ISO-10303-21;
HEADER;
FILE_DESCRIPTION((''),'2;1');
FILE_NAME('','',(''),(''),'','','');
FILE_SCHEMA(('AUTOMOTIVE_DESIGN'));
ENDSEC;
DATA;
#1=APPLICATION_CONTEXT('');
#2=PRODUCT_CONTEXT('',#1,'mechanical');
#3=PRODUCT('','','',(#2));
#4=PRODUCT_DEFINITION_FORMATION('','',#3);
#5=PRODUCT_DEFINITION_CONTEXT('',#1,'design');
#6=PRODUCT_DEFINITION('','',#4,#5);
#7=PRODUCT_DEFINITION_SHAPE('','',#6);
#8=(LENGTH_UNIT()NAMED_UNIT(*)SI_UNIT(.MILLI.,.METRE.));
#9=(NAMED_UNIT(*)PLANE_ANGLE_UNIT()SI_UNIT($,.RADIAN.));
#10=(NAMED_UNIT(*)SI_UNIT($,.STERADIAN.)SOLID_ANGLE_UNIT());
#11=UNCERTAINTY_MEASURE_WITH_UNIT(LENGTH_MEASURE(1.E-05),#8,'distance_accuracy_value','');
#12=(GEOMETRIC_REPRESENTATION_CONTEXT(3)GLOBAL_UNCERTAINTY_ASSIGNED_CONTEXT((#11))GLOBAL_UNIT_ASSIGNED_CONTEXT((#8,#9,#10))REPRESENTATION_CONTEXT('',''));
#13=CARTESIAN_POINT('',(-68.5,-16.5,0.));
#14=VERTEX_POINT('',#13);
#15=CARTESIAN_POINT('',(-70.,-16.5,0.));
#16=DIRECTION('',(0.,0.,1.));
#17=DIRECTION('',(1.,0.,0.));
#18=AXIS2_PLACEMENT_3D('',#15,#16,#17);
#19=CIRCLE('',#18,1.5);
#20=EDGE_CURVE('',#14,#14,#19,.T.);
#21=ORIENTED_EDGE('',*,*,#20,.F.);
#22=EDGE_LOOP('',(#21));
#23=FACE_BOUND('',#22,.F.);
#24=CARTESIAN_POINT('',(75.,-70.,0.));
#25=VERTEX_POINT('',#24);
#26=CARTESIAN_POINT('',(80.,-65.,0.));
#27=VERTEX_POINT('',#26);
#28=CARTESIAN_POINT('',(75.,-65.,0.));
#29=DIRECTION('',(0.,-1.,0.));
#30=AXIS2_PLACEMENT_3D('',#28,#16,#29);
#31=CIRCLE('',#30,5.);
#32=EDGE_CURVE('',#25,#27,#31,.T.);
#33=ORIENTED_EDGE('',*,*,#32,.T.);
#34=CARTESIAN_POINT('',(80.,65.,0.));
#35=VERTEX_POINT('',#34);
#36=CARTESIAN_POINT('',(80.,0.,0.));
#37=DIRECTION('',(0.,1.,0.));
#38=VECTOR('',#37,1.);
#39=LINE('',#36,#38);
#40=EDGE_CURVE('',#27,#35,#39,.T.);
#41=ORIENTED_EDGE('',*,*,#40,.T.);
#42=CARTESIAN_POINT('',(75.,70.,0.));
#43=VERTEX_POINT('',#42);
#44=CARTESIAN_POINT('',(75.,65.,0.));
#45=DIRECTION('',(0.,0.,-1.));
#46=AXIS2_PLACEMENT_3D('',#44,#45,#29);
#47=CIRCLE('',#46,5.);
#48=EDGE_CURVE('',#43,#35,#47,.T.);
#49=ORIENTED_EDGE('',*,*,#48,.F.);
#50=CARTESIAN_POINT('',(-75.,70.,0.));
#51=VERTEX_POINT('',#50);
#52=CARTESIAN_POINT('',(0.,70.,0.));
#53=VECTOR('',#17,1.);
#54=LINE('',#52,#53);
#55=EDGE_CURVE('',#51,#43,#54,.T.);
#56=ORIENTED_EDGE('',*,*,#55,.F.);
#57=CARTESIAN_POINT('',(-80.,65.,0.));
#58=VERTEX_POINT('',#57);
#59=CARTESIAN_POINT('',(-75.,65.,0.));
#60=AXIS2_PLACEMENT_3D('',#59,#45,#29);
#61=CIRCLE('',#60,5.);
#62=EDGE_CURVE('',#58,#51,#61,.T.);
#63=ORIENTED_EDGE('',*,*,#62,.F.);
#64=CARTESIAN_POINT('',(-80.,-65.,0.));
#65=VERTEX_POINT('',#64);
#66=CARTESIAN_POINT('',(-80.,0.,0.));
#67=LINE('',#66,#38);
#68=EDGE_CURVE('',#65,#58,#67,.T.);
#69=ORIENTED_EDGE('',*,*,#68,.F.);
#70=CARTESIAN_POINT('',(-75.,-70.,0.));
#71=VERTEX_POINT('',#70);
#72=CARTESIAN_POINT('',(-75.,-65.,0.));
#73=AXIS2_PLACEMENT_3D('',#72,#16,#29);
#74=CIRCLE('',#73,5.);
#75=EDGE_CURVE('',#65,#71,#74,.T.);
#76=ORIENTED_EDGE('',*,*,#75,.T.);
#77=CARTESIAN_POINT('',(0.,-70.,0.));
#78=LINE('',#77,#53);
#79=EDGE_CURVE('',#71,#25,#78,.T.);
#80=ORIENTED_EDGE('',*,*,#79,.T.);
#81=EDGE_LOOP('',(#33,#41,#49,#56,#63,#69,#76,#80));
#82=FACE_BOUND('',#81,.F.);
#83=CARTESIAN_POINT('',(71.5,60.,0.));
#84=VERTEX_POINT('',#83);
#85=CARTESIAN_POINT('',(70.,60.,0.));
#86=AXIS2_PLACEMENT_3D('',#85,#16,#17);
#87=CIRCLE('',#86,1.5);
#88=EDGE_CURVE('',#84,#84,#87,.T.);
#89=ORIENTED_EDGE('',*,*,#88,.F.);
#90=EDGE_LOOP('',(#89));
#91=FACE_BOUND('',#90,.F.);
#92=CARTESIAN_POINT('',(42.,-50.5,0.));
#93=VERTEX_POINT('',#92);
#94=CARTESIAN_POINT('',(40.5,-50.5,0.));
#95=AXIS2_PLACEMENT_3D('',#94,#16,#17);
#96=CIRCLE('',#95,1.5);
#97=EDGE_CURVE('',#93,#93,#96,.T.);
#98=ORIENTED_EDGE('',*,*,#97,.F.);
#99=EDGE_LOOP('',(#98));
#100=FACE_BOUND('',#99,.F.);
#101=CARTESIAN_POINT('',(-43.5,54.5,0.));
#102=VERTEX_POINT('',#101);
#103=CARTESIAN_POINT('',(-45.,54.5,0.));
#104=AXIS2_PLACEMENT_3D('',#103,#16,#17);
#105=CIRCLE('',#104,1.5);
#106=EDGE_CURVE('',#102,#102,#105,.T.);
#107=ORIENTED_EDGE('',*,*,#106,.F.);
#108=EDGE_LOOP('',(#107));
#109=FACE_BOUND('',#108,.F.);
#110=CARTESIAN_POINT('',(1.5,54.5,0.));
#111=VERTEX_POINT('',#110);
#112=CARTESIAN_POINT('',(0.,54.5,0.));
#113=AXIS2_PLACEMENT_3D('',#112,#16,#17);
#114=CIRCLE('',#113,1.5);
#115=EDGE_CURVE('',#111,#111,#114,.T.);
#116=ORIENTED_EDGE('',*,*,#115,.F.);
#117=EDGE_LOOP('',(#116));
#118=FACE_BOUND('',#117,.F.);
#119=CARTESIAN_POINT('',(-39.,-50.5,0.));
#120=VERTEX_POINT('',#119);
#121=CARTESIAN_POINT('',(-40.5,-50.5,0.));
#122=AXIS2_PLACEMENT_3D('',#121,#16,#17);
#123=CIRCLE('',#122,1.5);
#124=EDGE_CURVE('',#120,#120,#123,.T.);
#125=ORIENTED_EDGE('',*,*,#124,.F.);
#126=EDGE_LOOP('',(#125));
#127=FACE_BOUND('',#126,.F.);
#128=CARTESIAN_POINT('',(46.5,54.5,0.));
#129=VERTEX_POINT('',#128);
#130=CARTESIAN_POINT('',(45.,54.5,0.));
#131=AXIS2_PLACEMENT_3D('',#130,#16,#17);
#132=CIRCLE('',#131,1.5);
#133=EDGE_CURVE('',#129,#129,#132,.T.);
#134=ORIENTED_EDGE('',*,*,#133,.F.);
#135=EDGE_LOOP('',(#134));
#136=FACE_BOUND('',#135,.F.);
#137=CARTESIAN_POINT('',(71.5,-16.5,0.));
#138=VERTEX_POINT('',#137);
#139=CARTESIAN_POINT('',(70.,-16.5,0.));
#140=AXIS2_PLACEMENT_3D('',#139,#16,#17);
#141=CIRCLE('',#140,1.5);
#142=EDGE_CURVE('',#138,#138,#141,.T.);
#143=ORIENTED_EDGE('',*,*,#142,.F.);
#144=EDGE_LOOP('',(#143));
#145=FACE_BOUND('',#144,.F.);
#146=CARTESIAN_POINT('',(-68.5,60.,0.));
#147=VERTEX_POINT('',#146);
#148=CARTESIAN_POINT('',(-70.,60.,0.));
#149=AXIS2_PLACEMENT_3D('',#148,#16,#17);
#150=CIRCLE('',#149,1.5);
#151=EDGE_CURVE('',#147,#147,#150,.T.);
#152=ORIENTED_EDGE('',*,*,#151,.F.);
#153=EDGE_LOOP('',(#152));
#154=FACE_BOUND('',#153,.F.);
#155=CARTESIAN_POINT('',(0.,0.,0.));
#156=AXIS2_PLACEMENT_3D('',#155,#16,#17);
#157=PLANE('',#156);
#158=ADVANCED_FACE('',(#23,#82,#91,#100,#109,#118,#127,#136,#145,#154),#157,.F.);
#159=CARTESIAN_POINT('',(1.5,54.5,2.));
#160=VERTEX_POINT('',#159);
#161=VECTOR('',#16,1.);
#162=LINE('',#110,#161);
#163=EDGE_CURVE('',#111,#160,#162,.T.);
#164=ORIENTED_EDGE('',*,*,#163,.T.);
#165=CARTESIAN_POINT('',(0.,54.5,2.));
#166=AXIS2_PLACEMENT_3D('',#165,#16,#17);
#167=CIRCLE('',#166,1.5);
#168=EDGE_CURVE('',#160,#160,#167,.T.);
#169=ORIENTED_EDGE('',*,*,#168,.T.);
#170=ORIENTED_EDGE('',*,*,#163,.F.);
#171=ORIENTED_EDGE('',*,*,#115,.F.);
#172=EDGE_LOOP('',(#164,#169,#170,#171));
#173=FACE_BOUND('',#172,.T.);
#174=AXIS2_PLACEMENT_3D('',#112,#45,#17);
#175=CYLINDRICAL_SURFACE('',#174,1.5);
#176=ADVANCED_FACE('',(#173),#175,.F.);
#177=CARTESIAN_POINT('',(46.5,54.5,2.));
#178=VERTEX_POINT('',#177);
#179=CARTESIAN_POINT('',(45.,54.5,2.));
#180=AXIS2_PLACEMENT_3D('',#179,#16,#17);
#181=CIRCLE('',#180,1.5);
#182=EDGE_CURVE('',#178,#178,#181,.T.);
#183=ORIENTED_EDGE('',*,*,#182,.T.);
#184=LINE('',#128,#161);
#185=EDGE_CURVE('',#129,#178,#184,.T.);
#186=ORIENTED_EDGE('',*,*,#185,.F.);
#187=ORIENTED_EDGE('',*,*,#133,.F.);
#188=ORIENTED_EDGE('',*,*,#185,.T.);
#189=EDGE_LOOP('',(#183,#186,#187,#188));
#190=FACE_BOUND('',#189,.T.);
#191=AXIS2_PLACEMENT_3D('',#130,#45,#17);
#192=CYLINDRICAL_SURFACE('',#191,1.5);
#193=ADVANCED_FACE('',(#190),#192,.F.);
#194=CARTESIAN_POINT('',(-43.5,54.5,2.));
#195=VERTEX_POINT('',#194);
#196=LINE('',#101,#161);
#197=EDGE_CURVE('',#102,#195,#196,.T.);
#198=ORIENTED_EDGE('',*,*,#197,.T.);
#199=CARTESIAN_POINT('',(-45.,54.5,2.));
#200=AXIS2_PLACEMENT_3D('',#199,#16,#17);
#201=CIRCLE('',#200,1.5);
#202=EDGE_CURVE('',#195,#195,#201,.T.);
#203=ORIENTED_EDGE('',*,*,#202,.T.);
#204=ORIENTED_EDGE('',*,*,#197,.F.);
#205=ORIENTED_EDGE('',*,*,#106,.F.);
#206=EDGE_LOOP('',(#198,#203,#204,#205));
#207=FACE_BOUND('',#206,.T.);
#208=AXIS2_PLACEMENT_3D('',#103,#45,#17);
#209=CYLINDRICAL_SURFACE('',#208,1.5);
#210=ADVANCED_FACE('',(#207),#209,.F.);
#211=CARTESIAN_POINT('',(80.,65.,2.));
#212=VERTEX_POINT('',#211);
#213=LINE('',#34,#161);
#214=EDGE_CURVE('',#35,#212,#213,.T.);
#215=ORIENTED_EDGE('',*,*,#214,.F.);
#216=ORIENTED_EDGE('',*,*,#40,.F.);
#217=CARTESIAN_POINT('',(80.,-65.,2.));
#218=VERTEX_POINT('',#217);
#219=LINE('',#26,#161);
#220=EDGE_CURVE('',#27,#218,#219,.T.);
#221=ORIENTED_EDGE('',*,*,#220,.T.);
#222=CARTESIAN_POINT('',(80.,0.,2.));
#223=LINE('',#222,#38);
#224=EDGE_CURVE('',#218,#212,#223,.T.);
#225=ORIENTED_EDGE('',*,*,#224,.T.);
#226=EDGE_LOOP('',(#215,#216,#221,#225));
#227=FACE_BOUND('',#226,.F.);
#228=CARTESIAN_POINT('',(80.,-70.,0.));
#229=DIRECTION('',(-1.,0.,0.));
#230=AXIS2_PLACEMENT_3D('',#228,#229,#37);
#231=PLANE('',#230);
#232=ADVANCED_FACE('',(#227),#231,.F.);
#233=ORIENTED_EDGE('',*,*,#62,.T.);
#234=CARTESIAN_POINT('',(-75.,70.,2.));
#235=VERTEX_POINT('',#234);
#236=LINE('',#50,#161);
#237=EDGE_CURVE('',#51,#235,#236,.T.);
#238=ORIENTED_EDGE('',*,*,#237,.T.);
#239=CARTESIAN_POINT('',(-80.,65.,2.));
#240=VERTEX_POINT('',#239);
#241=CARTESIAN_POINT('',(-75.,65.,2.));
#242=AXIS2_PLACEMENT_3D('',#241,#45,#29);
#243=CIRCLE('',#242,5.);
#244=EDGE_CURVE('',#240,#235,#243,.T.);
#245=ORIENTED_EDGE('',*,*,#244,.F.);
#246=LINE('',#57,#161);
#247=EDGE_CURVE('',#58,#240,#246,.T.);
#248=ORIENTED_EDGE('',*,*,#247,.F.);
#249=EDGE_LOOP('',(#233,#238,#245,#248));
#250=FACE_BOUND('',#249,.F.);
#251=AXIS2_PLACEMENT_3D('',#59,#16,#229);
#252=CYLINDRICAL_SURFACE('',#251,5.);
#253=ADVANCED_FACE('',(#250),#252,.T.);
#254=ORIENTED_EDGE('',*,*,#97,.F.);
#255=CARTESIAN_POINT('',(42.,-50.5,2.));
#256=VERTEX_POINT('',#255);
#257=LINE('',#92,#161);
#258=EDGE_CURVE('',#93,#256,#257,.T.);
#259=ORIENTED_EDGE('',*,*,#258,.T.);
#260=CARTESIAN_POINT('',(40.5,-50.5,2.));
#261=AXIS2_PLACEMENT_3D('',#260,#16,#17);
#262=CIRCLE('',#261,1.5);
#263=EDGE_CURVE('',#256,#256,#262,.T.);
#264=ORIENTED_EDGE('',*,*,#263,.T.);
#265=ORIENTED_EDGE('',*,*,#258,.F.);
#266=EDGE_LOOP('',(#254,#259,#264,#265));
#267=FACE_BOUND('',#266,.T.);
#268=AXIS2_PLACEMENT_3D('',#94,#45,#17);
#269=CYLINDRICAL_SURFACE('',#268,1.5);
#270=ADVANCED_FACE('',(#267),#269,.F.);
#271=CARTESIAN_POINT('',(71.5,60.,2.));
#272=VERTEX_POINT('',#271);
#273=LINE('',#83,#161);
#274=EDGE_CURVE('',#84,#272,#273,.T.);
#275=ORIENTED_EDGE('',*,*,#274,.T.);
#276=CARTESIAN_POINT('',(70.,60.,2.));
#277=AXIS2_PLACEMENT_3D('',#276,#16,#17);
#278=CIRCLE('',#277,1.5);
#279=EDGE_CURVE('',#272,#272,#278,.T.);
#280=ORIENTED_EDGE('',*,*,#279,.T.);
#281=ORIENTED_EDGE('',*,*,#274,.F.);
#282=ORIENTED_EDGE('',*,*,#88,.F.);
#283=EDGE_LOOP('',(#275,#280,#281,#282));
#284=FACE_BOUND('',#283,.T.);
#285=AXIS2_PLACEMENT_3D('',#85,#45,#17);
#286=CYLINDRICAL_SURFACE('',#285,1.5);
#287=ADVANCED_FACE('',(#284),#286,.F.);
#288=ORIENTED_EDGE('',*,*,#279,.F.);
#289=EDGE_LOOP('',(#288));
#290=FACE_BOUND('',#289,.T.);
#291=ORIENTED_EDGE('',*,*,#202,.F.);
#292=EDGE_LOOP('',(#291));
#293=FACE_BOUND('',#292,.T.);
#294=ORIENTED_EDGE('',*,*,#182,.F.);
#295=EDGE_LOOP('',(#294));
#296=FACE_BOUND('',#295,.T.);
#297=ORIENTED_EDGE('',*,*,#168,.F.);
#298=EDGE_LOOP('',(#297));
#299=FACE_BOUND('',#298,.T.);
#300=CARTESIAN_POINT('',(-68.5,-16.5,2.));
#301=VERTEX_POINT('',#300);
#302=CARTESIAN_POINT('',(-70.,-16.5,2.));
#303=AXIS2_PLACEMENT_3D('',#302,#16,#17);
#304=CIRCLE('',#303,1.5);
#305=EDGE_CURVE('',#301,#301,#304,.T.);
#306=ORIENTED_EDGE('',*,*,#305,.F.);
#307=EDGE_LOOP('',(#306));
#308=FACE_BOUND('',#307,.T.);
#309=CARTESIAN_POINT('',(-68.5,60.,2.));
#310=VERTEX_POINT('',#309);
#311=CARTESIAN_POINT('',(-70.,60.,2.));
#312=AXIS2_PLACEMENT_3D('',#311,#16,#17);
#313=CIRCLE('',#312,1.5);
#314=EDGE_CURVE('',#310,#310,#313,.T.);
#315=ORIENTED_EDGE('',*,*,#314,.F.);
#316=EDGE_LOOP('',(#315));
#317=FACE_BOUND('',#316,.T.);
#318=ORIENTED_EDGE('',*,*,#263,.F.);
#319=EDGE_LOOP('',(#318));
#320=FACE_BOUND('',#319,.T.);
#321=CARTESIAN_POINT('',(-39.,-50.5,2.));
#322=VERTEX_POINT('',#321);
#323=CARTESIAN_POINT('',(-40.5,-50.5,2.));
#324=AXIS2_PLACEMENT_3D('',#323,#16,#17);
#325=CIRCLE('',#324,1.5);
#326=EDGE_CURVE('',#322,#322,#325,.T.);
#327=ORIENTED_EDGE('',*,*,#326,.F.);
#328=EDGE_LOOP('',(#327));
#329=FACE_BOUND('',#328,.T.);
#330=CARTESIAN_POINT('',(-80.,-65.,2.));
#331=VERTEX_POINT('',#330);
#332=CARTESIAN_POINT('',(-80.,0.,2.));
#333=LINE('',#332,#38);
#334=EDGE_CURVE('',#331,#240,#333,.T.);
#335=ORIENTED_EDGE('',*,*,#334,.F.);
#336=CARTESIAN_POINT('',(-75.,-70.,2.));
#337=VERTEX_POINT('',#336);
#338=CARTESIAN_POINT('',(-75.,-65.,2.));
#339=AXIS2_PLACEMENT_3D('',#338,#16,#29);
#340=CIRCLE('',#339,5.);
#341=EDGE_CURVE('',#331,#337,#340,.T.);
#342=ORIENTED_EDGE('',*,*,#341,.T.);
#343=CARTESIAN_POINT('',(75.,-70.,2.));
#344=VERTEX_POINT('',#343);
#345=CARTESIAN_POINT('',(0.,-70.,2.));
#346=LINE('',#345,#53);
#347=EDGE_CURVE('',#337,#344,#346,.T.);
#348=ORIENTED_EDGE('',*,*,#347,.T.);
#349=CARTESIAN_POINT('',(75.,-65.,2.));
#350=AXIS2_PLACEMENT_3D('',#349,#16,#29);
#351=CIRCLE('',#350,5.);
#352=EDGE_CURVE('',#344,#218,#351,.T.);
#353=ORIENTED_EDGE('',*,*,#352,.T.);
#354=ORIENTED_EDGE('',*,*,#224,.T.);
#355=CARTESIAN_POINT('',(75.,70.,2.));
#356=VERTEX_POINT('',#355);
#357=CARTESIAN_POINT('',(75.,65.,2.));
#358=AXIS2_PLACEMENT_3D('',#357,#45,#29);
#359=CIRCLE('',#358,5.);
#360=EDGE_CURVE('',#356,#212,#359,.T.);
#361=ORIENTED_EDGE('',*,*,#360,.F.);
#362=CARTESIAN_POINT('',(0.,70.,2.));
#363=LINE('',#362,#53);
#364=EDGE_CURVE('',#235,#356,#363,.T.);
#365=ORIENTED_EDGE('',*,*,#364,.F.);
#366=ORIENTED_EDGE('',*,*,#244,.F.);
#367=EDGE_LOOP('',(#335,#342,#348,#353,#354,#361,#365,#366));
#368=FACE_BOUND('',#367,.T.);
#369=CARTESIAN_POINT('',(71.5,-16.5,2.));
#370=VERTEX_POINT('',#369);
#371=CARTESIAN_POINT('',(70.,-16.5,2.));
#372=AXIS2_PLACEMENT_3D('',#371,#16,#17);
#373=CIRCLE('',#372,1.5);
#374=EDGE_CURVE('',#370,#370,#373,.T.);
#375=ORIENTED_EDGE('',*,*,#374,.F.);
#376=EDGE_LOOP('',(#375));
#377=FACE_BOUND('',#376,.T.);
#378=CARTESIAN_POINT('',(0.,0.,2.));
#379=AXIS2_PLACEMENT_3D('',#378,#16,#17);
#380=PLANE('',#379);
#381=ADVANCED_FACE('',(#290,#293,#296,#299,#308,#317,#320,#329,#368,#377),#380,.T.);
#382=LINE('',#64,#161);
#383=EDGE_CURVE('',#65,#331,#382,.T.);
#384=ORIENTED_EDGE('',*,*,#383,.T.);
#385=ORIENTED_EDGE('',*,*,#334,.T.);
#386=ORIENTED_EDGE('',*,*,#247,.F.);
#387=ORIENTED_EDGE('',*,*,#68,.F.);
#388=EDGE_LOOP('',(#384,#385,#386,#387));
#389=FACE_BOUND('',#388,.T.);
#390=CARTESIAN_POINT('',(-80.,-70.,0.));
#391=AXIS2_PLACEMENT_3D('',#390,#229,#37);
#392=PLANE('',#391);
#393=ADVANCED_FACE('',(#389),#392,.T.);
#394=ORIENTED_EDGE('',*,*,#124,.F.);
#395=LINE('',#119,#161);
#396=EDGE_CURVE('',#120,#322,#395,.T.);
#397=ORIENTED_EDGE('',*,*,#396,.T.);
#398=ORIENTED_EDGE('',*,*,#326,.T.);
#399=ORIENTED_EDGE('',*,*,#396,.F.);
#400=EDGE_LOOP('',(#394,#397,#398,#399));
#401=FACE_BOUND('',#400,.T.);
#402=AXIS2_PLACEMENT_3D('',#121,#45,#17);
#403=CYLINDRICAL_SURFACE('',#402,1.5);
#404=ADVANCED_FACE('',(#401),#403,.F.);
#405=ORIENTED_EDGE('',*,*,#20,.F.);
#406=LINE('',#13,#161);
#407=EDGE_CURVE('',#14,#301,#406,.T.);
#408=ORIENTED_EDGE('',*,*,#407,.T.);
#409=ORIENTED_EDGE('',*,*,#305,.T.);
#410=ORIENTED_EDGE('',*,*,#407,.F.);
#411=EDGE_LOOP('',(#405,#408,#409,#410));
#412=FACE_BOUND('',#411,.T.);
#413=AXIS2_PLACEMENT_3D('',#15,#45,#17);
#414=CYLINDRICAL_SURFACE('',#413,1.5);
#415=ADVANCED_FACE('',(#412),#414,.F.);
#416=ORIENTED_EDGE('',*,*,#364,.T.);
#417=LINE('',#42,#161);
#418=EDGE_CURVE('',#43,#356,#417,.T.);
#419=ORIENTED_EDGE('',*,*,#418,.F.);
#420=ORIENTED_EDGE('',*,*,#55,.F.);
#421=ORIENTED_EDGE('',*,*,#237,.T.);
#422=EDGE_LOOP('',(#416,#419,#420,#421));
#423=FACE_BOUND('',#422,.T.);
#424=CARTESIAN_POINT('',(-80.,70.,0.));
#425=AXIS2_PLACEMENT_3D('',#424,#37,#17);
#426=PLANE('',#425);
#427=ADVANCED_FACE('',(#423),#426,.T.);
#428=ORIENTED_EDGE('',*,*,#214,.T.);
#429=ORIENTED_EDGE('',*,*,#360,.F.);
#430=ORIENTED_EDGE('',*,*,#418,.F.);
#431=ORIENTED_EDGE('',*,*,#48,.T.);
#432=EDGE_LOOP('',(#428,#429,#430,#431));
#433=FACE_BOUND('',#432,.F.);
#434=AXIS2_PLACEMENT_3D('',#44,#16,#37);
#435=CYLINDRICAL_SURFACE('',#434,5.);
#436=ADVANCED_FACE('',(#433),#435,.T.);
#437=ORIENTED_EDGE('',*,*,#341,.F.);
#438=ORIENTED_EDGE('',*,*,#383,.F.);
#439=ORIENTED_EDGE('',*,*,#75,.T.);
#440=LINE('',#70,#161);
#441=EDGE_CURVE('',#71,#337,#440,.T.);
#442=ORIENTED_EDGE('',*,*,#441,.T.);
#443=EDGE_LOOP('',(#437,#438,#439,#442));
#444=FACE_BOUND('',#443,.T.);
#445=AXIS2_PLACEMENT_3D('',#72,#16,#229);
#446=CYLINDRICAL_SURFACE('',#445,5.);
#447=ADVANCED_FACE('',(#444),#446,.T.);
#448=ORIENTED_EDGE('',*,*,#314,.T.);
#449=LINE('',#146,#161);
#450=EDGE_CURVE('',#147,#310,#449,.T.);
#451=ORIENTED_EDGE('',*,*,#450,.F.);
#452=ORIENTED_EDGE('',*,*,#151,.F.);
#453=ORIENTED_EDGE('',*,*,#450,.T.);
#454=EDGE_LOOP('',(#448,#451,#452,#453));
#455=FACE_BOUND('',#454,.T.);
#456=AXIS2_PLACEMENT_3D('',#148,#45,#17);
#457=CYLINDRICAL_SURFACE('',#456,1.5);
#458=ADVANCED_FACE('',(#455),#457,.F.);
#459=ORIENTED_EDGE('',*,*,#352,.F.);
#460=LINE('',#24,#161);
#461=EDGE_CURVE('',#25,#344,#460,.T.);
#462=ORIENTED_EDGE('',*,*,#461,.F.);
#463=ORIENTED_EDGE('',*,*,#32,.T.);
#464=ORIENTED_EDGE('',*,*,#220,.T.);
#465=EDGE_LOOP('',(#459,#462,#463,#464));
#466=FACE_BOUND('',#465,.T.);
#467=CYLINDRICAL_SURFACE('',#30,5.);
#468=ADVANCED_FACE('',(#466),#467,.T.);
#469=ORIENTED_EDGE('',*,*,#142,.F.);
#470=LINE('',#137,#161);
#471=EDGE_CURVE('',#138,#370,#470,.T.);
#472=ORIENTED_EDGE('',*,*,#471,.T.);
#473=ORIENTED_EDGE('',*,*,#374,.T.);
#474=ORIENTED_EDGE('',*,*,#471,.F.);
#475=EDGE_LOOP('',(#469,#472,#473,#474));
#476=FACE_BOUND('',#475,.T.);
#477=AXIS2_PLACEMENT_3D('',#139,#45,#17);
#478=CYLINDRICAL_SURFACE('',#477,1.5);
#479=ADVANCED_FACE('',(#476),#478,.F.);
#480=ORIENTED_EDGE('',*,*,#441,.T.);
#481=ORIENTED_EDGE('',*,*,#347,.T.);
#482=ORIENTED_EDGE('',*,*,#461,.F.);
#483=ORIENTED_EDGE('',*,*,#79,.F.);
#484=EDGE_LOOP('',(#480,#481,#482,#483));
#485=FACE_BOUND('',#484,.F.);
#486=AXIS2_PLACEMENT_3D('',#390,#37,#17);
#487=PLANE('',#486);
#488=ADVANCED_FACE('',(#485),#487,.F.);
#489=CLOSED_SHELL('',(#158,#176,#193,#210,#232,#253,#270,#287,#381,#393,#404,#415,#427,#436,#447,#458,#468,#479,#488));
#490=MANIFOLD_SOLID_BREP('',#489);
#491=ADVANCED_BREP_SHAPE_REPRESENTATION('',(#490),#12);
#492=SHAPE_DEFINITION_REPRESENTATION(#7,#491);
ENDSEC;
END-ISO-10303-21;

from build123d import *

# Parameters (mm, degrees)
F0_W     = 160
F0_H     = 140
F0_R     = 1.5
F1_DEPTH = 2
F2_R     = 5


with BuildPart() as f1:
    # F0 (on Top) → F1 (new body)
    with BuildSketch(Plane.XY):
        Rectangle(F0_W, F0_H)
        with Locations((-40.5, -50.5)):
            Circle(F0_R, mode=Mode.SUBTRACT)
        with Locations((-70, -16.5)):
            Circle(F0_R, mode=Mode.SUBTRACT)
        with Locations((40.5, -50.5)):
            Circle(F0_R, mode=Mode.SUBTRACT)
        with Locations((70, -16.5)):
            Circle(F0_R, mode=Mode.SUBTRACT)
        with Locations((-70, 60)):
            Circle(F0_R, mode=Mode.SUBTRACT)
        with Locations((-45, 54.5)):
            Circle(F0_R, mode=Mode.SUBTRACT)
        with Locations((0, 54.5)):
            Circle(F0_R, mode=Mode.SUBTRACT)
        with Locations((45, 54.5)):
            Circle(F0_R, mode=Mode.SUBTRACT)
        with Locations((70, 60)):
            Circle(F0_R, mode=Mode.SUBTRACT)
    extrude(amount=F1_DEPTH)

    # F2
    f2_edges = [f1.edges().sort_by_distance(p)[0] for p in [
        (80, -70, 1),
        (-80, -70, 1),
        (-80, 70, 1),
        (80, 70, 1),
    ]]
    fillet(f2_edges, radius=F2_R)


solid = f1.part
